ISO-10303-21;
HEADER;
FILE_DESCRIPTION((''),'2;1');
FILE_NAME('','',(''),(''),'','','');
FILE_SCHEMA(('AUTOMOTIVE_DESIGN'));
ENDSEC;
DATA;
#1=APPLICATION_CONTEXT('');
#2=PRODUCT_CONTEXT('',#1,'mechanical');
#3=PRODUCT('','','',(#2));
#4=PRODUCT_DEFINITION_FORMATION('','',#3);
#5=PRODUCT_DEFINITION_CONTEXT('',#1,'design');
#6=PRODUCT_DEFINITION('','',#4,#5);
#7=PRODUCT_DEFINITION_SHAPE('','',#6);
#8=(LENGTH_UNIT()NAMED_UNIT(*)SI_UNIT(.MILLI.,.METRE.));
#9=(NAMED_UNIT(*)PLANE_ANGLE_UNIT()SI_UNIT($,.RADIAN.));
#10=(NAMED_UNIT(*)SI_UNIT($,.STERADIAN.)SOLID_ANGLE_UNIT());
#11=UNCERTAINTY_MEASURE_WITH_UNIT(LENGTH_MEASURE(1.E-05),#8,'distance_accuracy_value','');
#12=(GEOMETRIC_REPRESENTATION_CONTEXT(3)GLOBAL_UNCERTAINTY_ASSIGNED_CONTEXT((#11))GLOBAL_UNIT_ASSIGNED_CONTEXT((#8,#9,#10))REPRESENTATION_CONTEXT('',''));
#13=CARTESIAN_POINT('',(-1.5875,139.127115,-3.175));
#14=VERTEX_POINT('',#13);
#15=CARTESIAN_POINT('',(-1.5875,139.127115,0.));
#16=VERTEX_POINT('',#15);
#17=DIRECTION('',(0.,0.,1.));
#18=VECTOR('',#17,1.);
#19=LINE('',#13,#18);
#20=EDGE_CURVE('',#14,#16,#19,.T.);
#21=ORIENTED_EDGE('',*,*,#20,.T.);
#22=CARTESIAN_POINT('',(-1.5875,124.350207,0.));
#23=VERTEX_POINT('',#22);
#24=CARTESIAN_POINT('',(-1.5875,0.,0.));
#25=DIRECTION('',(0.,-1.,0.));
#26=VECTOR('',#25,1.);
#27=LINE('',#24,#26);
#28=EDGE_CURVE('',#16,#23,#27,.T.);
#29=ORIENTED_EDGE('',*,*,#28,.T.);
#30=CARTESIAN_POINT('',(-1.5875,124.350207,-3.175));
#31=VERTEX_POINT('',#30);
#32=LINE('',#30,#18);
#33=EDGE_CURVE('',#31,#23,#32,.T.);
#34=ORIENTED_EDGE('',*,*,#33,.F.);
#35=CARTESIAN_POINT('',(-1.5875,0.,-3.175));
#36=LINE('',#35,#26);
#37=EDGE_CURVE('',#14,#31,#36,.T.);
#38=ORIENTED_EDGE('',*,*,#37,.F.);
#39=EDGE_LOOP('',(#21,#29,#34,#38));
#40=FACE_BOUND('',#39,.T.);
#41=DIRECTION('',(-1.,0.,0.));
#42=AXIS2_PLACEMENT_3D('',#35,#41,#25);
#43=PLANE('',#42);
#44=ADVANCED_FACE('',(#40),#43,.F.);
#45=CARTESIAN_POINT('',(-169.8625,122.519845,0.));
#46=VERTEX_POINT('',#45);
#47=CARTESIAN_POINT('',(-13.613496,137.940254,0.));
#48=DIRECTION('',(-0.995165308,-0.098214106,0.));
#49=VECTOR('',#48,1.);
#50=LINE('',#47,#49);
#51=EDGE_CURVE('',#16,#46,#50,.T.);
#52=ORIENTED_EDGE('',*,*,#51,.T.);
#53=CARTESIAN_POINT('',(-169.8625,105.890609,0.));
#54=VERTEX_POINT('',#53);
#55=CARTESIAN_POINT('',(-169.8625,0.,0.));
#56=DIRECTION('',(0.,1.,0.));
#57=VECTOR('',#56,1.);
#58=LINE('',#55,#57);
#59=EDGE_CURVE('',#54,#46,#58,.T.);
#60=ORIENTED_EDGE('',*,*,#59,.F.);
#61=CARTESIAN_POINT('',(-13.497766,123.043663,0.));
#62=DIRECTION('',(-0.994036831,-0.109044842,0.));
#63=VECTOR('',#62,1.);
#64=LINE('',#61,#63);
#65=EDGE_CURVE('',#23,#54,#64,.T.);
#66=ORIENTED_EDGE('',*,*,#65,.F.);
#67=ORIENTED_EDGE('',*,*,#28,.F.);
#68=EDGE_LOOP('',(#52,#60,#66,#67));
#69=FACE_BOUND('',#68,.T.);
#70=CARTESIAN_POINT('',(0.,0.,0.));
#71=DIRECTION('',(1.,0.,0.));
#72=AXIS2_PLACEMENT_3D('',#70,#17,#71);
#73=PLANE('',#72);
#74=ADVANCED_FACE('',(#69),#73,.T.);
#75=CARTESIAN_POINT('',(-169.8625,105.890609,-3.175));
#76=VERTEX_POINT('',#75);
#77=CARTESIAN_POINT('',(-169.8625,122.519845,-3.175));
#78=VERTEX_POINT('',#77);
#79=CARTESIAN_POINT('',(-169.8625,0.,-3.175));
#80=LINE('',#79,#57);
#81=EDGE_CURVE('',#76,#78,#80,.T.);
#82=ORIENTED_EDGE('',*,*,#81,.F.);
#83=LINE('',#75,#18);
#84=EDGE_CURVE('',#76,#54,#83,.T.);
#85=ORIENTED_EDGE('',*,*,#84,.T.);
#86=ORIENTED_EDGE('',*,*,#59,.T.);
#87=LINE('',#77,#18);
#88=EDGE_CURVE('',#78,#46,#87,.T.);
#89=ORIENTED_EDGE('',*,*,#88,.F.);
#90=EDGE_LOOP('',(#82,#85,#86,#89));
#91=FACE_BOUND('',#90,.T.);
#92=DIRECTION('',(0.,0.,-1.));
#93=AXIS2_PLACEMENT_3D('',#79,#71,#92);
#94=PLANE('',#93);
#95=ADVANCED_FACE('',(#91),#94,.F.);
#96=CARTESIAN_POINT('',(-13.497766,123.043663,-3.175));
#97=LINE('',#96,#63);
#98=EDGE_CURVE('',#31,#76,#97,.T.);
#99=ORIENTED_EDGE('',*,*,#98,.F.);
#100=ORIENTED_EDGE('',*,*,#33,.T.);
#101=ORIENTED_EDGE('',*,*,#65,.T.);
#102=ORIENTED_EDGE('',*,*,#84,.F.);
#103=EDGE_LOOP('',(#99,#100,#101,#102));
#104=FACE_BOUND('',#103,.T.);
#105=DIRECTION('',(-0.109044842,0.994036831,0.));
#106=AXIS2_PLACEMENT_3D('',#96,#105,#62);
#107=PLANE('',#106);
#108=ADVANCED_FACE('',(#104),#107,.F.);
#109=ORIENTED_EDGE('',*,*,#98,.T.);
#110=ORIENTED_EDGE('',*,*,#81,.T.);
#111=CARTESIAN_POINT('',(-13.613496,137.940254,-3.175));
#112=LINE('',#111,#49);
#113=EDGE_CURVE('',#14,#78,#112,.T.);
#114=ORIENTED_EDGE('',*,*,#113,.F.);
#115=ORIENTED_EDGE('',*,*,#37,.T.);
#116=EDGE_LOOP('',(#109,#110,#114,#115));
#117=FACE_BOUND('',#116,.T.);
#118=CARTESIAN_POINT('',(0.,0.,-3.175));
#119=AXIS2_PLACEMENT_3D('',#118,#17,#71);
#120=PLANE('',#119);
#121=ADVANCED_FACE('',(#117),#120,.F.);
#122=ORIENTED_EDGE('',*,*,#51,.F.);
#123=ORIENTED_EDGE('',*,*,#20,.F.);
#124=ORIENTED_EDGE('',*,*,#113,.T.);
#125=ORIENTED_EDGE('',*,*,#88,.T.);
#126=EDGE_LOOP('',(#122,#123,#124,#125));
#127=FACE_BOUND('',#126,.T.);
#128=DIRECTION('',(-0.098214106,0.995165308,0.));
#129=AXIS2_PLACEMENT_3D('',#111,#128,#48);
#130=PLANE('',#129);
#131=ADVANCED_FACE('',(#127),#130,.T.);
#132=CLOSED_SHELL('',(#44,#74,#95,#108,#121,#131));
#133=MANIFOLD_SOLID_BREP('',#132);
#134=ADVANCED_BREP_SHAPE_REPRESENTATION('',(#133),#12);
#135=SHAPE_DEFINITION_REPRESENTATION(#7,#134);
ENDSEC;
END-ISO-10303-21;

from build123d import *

# Parameters (mm, degrees)
BOSS_EXTRUDE1_DEPTH = 3.175


with BuildPart() as part:
    # Sketch1 → Boss-Extrude1 (new body)
    with BuildSketch(Plane.XY):
        Polygon((-169.8625, 105.890608705), (-169.8625, 122.519845253), (-1.5875, 139.127114934), (-1.5875, 124.350207241), align=None)
    extrude(amount=-BOSS_EXTRUDE1_DEPTH)


solid = part.part
